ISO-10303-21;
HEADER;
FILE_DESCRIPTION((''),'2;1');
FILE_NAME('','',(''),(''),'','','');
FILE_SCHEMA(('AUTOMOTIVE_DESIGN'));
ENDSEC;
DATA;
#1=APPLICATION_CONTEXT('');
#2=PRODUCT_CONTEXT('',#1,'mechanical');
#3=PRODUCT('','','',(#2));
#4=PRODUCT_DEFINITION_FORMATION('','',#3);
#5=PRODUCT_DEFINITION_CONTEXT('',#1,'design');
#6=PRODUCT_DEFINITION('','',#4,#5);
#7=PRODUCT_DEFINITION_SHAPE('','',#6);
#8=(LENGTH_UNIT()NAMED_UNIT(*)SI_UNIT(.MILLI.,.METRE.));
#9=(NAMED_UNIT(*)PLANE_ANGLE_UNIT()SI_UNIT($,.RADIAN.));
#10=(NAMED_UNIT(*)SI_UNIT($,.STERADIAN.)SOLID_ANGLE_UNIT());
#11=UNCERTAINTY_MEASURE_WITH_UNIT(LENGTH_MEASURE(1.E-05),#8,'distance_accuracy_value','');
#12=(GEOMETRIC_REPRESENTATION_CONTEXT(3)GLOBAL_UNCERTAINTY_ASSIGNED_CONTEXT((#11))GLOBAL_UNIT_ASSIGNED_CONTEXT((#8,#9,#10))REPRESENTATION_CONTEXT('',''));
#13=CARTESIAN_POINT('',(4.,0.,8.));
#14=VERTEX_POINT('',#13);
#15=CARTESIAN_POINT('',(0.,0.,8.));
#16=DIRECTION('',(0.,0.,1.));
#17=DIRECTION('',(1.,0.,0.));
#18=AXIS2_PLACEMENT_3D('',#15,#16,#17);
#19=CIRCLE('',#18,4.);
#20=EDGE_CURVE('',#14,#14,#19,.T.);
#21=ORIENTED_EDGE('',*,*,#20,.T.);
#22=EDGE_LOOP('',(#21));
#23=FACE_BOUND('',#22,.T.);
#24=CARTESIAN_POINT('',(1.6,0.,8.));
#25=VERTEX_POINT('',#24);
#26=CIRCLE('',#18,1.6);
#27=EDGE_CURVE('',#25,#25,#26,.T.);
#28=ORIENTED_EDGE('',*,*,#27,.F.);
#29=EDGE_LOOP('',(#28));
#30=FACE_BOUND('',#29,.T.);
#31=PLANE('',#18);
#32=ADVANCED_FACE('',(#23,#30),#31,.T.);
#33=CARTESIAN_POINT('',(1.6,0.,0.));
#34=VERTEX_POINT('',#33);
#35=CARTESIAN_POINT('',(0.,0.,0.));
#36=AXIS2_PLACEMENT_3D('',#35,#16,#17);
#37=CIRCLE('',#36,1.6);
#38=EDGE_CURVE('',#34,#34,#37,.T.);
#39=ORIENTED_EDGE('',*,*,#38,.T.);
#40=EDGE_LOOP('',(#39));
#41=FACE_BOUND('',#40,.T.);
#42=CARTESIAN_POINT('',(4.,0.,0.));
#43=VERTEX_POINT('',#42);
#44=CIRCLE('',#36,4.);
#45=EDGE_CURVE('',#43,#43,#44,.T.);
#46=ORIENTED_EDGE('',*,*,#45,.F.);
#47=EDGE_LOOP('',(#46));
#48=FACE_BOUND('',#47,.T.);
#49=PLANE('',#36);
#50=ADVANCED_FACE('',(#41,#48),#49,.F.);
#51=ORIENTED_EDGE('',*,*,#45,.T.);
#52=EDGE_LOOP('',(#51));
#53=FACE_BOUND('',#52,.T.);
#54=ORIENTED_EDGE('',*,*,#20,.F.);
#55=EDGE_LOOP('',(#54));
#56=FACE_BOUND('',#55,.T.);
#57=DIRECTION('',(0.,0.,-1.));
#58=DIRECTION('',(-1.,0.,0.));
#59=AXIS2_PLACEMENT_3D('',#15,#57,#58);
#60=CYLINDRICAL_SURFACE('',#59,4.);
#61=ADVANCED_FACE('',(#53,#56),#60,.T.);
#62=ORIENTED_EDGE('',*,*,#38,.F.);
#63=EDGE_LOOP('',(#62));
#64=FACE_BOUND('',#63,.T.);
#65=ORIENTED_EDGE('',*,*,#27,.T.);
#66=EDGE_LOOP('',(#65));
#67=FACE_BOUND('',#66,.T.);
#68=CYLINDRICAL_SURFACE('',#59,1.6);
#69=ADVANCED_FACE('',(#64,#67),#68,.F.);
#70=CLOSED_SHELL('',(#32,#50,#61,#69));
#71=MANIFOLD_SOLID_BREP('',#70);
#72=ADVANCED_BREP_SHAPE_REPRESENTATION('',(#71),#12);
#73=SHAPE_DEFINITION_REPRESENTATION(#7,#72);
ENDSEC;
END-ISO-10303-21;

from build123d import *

# Parameters (mm, degrees)
SKETCH_1_R      = 4
SKETCH_1_R_2    = 1.6
EXTRUDE_1_DEPTH = 8


with BuildPart() as part:
    # Эскиз1 → Бобышка-Вытянуть1 (new body)
    with BuildSketch(Plane.XY):
        Circle(SKETCH_1_R)
        Circle(SKETCH_1_R_2, mode=Mode.SUBTRACT)
    extrude(amount=EXTRUDE_1_DEPTH)


solid = part.part
